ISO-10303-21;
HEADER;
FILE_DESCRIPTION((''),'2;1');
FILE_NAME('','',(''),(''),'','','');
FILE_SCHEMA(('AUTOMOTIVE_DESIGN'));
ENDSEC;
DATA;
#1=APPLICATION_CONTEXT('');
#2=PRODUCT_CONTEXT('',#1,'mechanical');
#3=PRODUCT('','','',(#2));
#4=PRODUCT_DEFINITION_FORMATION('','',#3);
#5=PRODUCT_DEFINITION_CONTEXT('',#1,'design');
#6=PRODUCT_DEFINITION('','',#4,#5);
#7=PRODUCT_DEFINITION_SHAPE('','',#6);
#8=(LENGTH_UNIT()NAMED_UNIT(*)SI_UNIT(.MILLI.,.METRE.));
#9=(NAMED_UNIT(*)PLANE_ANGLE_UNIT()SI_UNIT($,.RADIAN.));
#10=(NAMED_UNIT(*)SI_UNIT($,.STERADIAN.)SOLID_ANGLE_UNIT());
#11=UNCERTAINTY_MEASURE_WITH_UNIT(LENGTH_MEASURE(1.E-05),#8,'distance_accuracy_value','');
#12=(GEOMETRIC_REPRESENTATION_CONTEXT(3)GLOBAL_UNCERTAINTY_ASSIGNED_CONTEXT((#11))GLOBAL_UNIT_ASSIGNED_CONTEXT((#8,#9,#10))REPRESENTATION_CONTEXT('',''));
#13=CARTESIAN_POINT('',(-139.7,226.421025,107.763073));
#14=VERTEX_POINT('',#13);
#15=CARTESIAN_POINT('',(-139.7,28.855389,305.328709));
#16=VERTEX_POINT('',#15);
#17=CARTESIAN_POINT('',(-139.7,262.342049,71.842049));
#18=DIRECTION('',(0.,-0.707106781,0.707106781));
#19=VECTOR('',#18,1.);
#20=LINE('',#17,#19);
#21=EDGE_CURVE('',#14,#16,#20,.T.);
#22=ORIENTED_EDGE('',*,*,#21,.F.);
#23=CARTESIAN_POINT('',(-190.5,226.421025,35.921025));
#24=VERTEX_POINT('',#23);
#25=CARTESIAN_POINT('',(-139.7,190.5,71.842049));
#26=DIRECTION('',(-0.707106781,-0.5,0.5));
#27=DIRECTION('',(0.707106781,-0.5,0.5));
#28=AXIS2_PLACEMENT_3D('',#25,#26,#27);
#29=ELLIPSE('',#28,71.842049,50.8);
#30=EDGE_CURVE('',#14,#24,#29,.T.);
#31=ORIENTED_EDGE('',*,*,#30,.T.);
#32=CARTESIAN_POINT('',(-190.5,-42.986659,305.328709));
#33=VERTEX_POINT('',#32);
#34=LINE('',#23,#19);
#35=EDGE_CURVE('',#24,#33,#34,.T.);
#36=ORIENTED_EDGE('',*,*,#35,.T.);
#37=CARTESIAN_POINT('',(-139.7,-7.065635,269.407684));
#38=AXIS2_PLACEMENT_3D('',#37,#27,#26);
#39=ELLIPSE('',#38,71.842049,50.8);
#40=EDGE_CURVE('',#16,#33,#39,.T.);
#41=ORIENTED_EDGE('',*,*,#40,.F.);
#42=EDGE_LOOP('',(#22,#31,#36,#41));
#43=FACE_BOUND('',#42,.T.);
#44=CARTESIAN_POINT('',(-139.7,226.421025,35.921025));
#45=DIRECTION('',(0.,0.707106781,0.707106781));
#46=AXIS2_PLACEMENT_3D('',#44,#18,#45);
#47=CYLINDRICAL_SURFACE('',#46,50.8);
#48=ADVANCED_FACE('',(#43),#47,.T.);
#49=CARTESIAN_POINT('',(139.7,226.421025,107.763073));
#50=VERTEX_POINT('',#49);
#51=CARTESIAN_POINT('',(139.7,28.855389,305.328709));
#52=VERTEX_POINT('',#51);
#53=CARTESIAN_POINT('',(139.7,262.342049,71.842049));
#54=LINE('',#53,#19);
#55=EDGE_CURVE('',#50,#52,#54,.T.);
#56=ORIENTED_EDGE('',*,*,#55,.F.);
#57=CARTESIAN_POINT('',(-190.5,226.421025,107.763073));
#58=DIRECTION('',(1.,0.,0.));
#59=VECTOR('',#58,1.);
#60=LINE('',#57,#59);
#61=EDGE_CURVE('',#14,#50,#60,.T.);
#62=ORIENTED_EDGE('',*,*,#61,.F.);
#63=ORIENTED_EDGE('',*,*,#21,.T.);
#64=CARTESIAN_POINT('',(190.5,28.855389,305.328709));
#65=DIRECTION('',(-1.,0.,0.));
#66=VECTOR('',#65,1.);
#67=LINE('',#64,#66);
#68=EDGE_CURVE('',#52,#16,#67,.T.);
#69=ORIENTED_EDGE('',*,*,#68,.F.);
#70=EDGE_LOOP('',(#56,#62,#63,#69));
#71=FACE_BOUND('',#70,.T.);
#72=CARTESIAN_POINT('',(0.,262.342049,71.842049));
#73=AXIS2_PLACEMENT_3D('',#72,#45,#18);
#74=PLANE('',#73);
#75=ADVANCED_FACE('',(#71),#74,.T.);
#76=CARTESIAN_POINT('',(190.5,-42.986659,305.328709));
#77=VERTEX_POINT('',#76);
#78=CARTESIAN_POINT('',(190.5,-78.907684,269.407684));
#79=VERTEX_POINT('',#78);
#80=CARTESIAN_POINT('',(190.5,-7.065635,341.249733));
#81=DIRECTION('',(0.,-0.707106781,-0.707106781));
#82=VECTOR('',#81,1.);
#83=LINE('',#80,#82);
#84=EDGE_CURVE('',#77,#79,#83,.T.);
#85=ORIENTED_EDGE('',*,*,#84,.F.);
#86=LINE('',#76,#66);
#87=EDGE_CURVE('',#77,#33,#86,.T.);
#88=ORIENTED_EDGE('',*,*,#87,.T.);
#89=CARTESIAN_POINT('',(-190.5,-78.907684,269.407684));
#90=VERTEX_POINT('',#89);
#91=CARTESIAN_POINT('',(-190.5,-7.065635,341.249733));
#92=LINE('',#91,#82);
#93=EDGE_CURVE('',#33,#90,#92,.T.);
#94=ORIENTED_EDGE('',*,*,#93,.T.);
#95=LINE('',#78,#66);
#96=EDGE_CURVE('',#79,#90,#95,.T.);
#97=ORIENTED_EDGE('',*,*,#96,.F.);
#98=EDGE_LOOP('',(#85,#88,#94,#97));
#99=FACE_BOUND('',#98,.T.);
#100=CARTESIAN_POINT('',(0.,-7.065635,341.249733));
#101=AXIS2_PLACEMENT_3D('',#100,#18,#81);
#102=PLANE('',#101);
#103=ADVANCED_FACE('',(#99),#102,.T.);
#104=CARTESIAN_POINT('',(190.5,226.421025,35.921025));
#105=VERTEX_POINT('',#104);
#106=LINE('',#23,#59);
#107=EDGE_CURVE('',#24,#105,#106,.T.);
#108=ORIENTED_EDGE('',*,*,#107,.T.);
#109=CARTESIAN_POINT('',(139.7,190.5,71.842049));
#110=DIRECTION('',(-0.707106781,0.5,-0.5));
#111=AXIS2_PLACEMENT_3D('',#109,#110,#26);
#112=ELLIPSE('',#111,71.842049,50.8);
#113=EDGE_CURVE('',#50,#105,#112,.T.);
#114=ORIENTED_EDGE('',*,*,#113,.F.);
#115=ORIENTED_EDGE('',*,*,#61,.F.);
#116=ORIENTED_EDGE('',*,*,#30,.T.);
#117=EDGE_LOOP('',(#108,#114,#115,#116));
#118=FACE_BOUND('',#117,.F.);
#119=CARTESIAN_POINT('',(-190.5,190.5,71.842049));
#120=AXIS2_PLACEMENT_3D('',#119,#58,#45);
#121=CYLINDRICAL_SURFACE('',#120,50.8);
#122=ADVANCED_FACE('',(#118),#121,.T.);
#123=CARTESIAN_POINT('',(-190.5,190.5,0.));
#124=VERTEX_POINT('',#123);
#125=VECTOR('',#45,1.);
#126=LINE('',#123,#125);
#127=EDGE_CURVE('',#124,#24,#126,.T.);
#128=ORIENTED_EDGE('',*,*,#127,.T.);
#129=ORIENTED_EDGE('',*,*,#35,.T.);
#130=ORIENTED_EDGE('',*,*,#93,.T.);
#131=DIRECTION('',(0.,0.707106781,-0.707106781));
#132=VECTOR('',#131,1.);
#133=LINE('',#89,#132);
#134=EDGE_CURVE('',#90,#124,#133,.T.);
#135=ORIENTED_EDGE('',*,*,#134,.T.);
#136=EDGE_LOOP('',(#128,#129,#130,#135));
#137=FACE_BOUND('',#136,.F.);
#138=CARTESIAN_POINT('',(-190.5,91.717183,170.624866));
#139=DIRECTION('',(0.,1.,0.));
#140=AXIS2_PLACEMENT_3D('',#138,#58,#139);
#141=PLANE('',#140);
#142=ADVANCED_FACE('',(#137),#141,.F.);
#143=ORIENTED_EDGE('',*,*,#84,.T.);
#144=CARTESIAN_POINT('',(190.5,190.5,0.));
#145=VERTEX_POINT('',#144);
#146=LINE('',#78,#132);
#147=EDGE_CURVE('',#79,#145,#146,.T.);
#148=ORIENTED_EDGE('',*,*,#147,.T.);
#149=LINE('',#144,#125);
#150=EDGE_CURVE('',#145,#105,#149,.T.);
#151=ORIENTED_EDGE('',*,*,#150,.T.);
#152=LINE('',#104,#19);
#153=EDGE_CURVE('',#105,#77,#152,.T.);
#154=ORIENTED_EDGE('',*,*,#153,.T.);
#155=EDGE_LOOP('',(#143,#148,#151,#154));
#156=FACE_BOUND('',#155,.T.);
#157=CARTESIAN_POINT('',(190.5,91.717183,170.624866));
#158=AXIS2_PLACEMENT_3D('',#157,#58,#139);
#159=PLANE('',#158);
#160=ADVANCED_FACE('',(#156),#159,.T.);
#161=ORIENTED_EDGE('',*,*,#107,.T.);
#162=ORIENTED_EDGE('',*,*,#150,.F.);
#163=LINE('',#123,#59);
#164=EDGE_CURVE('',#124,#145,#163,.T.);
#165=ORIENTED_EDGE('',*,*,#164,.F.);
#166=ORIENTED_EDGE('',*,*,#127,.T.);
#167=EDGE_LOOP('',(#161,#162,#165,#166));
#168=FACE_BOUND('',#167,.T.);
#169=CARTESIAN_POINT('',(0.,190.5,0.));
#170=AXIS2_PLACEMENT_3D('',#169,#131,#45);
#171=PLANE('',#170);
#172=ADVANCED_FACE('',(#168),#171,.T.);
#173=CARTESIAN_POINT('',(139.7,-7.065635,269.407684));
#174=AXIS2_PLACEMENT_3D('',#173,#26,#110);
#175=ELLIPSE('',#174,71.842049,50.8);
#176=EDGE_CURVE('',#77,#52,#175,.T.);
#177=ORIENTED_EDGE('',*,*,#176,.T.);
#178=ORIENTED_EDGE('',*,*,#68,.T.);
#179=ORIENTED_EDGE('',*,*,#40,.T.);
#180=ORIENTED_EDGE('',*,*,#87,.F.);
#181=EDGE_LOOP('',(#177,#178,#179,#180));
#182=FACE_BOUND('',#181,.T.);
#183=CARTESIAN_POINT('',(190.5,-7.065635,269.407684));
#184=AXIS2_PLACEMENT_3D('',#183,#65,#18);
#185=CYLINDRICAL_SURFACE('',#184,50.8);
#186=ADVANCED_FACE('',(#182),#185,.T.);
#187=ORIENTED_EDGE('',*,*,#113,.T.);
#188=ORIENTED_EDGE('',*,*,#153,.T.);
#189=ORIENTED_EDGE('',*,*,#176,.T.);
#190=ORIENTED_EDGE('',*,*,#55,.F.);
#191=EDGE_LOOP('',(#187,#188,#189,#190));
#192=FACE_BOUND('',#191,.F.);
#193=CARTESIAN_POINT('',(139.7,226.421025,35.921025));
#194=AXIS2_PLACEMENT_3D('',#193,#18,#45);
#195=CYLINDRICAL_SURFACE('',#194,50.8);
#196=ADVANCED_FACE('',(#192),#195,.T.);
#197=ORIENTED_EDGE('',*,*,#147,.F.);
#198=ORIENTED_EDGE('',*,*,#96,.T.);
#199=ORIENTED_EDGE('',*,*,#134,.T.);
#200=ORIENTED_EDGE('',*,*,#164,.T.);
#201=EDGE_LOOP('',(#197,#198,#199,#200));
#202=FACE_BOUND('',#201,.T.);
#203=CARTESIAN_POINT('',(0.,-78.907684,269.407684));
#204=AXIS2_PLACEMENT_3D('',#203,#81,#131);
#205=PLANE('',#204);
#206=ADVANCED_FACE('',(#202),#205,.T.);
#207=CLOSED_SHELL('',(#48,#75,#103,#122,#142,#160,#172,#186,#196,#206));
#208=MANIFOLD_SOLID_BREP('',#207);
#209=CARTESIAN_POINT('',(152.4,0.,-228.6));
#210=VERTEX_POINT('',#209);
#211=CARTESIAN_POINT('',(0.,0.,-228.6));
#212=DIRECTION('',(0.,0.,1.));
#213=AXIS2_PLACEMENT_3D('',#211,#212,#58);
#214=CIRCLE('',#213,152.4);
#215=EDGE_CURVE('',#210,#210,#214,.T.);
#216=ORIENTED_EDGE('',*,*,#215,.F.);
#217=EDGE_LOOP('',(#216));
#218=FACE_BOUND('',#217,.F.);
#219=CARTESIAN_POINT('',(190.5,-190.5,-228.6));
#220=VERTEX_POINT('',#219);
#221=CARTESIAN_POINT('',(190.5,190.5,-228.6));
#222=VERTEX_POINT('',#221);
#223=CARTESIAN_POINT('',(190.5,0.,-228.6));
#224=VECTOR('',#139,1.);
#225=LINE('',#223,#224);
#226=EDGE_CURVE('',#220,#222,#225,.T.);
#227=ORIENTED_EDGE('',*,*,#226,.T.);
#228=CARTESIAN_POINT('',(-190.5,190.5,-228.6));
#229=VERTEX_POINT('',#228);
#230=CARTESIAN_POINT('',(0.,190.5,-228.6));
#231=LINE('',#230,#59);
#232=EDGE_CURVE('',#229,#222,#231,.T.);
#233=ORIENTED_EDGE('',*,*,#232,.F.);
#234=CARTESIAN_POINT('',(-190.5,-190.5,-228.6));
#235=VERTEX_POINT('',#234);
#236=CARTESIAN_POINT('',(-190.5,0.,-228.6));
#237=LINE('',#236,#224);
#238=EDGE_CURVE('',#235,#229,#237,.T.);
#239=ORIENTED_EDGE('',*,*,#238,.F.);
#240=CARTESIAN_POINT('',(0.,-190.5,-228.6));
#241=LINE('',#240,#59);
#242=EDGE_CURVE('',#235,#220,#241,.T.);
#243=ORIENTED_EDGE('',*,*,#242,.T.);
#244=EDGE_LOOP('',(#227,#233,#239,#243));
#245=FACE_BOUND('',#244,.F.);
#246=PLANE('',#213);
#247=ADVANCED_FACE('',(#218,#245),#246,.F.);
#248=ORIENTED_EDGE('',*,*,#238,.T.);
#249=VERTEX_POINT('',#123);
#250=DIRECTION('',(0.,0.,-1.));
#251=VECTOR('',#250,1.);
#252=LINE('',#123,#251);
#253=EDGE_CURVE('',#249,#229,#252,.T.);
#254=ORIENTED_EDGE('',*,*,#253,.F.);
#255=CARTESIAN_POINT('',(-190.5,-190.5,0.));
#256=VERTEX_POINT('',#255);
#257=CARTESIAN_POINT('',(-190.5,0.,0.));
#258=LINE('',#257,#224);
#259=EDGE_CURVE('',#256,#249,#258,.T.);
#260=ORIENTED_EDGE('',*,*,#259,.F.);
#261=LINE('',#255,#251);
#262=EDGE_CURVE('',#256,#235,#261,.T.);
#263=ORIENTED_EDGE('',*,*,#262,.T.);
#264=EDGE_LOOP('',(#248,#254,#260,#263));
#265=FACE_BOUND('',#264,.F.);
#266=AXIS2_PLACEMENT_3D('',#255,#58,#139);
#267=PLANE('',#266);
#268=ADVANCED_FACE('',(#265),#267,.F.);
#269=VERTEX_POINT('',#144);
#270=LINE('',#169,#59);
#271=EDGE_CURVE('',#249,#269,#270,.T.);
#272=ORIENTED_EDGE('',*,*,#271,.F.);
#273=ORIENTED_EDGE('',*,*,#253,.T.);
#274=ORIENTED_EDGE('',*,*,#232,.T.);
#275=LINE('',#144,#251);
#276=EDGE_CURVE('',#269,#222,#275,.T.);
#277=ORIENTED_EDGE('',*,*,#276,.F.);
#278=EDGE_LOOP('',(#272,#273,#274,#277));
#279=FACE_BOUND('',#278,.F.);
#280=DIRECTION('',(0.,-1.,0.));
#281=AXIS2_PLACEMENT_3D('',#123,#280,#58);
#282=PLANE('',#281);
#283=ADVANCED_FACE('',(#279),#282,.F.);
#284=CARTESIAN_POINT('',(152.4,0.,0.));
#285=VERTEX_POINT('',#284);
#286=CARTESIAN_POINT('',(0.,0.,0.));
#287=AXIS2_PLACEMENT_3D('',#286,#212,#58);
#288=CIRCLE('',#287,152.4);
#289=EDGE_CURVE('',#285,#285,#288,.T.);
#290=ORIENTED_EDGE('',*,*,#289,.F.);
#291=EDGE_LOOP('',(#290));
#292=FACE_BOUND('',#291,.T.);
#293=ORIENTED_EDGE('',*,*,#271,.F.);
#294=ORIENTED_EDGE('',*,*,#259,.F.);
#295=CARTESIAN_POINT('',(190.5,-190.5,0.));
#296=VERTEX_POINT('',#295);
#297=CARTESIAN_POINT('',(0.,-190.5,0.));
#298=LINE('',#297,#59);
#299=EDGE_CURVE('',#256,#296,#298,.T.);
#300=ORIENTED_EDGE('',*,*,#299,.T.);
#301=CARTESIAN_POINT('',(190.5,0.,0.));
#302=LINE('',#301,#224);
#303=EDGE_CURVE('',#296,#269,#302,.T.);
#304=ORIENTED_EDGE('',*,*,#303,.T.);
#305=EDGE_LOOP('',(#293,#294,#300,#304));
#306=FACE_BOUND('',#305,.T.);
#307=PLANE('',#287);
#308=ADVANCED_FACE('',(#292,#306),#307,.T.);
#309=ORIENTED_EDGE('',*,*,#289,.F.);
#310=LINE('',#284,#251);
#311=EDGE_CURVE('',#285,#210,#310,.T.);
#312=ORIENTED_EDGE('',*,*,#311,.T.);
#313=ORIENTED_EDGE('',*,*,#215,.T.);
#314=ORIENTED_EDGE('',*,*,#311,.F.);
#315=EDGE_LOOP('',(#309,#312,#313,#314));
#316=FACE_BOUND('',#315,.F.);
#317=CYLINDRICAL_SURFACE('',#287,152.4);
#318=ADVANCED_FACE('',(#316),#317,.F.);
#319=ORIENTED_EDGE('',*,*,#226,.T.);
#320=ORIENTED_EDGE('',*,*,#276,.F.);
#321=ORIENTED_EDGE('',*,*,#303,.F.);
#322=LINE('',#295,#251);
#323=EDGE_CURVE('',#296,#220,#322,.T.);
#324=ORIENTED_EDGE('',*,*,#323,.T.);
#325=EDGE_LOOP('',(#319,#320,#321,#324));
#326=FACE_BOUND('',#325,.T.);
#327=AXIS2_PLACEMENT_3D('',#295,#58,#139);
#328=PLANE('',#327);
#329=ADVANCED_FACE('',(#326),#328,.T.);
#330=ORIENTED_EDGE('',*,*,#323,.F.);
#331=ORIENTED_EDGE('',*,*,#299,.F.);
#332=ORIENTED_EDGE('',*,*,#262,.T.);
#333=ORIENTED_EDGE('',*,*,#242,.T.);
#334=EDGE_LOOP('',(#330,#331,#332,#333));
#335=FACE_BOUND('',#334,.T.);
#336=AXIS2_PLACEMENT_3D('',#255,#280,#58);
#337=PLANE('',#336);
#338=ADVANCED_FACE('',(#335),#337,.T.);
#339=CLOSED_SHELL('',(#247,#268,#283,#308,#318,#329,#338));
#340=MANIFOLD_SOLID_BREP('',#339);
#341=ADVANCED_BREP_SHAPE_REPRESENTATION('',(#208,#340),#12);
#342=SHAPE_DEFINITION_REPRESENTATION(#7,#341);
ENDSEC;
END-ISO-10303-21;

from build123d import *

# Parameters (mm, degrees)
F0_W     = 381
F0_H     = 381
F1_DEPTH = 228.6
F4_DEPTH = 190.5
F5_R     = 50.8
F6_R     = 152.4
F7_DEPTH = 228.601


with BuildPart() as f1:
    # F0 (on Top) → F1 (new body)
    with BuildSketch(Plane.XY):
        Rectangle(F0_W, F0_H)
    extrude(amount=-F1_DEPTH)

    # F6 (on face) → F7 (cut, through all)
    with BuildSketch(Plane.XY):
        Circle(F6_R)
    extrude(amount=-F7_DEPTH, mode=Mode.SUBTRACT)


with BuildPart() as f4:
    # F3 (on Right) → F4 (new body, symmetric)
    with BuildSketch(Plane.YZ):
        Polygon((-78.907684, 269.407684), (190.5, 0), (262.342049, 71.842049), (-7.065635, 341.249733), align=None)
    extrude(amount=F4_DEPTH, both=True)

    # F5
    f5_edges = [f4.edges().sort_by_distance(p)[0] for p in [
        (-190.5, 127.638207, 206.545891),
        (0, -7.065635, 341.249733),
        (190.5, 127.638207, 206.545891),
        (0, 262.342049, 71.842049),
    ]]
    fillet(f5_edges, radius=F5_R)


solid = Compound([f1.part, f4.part])
